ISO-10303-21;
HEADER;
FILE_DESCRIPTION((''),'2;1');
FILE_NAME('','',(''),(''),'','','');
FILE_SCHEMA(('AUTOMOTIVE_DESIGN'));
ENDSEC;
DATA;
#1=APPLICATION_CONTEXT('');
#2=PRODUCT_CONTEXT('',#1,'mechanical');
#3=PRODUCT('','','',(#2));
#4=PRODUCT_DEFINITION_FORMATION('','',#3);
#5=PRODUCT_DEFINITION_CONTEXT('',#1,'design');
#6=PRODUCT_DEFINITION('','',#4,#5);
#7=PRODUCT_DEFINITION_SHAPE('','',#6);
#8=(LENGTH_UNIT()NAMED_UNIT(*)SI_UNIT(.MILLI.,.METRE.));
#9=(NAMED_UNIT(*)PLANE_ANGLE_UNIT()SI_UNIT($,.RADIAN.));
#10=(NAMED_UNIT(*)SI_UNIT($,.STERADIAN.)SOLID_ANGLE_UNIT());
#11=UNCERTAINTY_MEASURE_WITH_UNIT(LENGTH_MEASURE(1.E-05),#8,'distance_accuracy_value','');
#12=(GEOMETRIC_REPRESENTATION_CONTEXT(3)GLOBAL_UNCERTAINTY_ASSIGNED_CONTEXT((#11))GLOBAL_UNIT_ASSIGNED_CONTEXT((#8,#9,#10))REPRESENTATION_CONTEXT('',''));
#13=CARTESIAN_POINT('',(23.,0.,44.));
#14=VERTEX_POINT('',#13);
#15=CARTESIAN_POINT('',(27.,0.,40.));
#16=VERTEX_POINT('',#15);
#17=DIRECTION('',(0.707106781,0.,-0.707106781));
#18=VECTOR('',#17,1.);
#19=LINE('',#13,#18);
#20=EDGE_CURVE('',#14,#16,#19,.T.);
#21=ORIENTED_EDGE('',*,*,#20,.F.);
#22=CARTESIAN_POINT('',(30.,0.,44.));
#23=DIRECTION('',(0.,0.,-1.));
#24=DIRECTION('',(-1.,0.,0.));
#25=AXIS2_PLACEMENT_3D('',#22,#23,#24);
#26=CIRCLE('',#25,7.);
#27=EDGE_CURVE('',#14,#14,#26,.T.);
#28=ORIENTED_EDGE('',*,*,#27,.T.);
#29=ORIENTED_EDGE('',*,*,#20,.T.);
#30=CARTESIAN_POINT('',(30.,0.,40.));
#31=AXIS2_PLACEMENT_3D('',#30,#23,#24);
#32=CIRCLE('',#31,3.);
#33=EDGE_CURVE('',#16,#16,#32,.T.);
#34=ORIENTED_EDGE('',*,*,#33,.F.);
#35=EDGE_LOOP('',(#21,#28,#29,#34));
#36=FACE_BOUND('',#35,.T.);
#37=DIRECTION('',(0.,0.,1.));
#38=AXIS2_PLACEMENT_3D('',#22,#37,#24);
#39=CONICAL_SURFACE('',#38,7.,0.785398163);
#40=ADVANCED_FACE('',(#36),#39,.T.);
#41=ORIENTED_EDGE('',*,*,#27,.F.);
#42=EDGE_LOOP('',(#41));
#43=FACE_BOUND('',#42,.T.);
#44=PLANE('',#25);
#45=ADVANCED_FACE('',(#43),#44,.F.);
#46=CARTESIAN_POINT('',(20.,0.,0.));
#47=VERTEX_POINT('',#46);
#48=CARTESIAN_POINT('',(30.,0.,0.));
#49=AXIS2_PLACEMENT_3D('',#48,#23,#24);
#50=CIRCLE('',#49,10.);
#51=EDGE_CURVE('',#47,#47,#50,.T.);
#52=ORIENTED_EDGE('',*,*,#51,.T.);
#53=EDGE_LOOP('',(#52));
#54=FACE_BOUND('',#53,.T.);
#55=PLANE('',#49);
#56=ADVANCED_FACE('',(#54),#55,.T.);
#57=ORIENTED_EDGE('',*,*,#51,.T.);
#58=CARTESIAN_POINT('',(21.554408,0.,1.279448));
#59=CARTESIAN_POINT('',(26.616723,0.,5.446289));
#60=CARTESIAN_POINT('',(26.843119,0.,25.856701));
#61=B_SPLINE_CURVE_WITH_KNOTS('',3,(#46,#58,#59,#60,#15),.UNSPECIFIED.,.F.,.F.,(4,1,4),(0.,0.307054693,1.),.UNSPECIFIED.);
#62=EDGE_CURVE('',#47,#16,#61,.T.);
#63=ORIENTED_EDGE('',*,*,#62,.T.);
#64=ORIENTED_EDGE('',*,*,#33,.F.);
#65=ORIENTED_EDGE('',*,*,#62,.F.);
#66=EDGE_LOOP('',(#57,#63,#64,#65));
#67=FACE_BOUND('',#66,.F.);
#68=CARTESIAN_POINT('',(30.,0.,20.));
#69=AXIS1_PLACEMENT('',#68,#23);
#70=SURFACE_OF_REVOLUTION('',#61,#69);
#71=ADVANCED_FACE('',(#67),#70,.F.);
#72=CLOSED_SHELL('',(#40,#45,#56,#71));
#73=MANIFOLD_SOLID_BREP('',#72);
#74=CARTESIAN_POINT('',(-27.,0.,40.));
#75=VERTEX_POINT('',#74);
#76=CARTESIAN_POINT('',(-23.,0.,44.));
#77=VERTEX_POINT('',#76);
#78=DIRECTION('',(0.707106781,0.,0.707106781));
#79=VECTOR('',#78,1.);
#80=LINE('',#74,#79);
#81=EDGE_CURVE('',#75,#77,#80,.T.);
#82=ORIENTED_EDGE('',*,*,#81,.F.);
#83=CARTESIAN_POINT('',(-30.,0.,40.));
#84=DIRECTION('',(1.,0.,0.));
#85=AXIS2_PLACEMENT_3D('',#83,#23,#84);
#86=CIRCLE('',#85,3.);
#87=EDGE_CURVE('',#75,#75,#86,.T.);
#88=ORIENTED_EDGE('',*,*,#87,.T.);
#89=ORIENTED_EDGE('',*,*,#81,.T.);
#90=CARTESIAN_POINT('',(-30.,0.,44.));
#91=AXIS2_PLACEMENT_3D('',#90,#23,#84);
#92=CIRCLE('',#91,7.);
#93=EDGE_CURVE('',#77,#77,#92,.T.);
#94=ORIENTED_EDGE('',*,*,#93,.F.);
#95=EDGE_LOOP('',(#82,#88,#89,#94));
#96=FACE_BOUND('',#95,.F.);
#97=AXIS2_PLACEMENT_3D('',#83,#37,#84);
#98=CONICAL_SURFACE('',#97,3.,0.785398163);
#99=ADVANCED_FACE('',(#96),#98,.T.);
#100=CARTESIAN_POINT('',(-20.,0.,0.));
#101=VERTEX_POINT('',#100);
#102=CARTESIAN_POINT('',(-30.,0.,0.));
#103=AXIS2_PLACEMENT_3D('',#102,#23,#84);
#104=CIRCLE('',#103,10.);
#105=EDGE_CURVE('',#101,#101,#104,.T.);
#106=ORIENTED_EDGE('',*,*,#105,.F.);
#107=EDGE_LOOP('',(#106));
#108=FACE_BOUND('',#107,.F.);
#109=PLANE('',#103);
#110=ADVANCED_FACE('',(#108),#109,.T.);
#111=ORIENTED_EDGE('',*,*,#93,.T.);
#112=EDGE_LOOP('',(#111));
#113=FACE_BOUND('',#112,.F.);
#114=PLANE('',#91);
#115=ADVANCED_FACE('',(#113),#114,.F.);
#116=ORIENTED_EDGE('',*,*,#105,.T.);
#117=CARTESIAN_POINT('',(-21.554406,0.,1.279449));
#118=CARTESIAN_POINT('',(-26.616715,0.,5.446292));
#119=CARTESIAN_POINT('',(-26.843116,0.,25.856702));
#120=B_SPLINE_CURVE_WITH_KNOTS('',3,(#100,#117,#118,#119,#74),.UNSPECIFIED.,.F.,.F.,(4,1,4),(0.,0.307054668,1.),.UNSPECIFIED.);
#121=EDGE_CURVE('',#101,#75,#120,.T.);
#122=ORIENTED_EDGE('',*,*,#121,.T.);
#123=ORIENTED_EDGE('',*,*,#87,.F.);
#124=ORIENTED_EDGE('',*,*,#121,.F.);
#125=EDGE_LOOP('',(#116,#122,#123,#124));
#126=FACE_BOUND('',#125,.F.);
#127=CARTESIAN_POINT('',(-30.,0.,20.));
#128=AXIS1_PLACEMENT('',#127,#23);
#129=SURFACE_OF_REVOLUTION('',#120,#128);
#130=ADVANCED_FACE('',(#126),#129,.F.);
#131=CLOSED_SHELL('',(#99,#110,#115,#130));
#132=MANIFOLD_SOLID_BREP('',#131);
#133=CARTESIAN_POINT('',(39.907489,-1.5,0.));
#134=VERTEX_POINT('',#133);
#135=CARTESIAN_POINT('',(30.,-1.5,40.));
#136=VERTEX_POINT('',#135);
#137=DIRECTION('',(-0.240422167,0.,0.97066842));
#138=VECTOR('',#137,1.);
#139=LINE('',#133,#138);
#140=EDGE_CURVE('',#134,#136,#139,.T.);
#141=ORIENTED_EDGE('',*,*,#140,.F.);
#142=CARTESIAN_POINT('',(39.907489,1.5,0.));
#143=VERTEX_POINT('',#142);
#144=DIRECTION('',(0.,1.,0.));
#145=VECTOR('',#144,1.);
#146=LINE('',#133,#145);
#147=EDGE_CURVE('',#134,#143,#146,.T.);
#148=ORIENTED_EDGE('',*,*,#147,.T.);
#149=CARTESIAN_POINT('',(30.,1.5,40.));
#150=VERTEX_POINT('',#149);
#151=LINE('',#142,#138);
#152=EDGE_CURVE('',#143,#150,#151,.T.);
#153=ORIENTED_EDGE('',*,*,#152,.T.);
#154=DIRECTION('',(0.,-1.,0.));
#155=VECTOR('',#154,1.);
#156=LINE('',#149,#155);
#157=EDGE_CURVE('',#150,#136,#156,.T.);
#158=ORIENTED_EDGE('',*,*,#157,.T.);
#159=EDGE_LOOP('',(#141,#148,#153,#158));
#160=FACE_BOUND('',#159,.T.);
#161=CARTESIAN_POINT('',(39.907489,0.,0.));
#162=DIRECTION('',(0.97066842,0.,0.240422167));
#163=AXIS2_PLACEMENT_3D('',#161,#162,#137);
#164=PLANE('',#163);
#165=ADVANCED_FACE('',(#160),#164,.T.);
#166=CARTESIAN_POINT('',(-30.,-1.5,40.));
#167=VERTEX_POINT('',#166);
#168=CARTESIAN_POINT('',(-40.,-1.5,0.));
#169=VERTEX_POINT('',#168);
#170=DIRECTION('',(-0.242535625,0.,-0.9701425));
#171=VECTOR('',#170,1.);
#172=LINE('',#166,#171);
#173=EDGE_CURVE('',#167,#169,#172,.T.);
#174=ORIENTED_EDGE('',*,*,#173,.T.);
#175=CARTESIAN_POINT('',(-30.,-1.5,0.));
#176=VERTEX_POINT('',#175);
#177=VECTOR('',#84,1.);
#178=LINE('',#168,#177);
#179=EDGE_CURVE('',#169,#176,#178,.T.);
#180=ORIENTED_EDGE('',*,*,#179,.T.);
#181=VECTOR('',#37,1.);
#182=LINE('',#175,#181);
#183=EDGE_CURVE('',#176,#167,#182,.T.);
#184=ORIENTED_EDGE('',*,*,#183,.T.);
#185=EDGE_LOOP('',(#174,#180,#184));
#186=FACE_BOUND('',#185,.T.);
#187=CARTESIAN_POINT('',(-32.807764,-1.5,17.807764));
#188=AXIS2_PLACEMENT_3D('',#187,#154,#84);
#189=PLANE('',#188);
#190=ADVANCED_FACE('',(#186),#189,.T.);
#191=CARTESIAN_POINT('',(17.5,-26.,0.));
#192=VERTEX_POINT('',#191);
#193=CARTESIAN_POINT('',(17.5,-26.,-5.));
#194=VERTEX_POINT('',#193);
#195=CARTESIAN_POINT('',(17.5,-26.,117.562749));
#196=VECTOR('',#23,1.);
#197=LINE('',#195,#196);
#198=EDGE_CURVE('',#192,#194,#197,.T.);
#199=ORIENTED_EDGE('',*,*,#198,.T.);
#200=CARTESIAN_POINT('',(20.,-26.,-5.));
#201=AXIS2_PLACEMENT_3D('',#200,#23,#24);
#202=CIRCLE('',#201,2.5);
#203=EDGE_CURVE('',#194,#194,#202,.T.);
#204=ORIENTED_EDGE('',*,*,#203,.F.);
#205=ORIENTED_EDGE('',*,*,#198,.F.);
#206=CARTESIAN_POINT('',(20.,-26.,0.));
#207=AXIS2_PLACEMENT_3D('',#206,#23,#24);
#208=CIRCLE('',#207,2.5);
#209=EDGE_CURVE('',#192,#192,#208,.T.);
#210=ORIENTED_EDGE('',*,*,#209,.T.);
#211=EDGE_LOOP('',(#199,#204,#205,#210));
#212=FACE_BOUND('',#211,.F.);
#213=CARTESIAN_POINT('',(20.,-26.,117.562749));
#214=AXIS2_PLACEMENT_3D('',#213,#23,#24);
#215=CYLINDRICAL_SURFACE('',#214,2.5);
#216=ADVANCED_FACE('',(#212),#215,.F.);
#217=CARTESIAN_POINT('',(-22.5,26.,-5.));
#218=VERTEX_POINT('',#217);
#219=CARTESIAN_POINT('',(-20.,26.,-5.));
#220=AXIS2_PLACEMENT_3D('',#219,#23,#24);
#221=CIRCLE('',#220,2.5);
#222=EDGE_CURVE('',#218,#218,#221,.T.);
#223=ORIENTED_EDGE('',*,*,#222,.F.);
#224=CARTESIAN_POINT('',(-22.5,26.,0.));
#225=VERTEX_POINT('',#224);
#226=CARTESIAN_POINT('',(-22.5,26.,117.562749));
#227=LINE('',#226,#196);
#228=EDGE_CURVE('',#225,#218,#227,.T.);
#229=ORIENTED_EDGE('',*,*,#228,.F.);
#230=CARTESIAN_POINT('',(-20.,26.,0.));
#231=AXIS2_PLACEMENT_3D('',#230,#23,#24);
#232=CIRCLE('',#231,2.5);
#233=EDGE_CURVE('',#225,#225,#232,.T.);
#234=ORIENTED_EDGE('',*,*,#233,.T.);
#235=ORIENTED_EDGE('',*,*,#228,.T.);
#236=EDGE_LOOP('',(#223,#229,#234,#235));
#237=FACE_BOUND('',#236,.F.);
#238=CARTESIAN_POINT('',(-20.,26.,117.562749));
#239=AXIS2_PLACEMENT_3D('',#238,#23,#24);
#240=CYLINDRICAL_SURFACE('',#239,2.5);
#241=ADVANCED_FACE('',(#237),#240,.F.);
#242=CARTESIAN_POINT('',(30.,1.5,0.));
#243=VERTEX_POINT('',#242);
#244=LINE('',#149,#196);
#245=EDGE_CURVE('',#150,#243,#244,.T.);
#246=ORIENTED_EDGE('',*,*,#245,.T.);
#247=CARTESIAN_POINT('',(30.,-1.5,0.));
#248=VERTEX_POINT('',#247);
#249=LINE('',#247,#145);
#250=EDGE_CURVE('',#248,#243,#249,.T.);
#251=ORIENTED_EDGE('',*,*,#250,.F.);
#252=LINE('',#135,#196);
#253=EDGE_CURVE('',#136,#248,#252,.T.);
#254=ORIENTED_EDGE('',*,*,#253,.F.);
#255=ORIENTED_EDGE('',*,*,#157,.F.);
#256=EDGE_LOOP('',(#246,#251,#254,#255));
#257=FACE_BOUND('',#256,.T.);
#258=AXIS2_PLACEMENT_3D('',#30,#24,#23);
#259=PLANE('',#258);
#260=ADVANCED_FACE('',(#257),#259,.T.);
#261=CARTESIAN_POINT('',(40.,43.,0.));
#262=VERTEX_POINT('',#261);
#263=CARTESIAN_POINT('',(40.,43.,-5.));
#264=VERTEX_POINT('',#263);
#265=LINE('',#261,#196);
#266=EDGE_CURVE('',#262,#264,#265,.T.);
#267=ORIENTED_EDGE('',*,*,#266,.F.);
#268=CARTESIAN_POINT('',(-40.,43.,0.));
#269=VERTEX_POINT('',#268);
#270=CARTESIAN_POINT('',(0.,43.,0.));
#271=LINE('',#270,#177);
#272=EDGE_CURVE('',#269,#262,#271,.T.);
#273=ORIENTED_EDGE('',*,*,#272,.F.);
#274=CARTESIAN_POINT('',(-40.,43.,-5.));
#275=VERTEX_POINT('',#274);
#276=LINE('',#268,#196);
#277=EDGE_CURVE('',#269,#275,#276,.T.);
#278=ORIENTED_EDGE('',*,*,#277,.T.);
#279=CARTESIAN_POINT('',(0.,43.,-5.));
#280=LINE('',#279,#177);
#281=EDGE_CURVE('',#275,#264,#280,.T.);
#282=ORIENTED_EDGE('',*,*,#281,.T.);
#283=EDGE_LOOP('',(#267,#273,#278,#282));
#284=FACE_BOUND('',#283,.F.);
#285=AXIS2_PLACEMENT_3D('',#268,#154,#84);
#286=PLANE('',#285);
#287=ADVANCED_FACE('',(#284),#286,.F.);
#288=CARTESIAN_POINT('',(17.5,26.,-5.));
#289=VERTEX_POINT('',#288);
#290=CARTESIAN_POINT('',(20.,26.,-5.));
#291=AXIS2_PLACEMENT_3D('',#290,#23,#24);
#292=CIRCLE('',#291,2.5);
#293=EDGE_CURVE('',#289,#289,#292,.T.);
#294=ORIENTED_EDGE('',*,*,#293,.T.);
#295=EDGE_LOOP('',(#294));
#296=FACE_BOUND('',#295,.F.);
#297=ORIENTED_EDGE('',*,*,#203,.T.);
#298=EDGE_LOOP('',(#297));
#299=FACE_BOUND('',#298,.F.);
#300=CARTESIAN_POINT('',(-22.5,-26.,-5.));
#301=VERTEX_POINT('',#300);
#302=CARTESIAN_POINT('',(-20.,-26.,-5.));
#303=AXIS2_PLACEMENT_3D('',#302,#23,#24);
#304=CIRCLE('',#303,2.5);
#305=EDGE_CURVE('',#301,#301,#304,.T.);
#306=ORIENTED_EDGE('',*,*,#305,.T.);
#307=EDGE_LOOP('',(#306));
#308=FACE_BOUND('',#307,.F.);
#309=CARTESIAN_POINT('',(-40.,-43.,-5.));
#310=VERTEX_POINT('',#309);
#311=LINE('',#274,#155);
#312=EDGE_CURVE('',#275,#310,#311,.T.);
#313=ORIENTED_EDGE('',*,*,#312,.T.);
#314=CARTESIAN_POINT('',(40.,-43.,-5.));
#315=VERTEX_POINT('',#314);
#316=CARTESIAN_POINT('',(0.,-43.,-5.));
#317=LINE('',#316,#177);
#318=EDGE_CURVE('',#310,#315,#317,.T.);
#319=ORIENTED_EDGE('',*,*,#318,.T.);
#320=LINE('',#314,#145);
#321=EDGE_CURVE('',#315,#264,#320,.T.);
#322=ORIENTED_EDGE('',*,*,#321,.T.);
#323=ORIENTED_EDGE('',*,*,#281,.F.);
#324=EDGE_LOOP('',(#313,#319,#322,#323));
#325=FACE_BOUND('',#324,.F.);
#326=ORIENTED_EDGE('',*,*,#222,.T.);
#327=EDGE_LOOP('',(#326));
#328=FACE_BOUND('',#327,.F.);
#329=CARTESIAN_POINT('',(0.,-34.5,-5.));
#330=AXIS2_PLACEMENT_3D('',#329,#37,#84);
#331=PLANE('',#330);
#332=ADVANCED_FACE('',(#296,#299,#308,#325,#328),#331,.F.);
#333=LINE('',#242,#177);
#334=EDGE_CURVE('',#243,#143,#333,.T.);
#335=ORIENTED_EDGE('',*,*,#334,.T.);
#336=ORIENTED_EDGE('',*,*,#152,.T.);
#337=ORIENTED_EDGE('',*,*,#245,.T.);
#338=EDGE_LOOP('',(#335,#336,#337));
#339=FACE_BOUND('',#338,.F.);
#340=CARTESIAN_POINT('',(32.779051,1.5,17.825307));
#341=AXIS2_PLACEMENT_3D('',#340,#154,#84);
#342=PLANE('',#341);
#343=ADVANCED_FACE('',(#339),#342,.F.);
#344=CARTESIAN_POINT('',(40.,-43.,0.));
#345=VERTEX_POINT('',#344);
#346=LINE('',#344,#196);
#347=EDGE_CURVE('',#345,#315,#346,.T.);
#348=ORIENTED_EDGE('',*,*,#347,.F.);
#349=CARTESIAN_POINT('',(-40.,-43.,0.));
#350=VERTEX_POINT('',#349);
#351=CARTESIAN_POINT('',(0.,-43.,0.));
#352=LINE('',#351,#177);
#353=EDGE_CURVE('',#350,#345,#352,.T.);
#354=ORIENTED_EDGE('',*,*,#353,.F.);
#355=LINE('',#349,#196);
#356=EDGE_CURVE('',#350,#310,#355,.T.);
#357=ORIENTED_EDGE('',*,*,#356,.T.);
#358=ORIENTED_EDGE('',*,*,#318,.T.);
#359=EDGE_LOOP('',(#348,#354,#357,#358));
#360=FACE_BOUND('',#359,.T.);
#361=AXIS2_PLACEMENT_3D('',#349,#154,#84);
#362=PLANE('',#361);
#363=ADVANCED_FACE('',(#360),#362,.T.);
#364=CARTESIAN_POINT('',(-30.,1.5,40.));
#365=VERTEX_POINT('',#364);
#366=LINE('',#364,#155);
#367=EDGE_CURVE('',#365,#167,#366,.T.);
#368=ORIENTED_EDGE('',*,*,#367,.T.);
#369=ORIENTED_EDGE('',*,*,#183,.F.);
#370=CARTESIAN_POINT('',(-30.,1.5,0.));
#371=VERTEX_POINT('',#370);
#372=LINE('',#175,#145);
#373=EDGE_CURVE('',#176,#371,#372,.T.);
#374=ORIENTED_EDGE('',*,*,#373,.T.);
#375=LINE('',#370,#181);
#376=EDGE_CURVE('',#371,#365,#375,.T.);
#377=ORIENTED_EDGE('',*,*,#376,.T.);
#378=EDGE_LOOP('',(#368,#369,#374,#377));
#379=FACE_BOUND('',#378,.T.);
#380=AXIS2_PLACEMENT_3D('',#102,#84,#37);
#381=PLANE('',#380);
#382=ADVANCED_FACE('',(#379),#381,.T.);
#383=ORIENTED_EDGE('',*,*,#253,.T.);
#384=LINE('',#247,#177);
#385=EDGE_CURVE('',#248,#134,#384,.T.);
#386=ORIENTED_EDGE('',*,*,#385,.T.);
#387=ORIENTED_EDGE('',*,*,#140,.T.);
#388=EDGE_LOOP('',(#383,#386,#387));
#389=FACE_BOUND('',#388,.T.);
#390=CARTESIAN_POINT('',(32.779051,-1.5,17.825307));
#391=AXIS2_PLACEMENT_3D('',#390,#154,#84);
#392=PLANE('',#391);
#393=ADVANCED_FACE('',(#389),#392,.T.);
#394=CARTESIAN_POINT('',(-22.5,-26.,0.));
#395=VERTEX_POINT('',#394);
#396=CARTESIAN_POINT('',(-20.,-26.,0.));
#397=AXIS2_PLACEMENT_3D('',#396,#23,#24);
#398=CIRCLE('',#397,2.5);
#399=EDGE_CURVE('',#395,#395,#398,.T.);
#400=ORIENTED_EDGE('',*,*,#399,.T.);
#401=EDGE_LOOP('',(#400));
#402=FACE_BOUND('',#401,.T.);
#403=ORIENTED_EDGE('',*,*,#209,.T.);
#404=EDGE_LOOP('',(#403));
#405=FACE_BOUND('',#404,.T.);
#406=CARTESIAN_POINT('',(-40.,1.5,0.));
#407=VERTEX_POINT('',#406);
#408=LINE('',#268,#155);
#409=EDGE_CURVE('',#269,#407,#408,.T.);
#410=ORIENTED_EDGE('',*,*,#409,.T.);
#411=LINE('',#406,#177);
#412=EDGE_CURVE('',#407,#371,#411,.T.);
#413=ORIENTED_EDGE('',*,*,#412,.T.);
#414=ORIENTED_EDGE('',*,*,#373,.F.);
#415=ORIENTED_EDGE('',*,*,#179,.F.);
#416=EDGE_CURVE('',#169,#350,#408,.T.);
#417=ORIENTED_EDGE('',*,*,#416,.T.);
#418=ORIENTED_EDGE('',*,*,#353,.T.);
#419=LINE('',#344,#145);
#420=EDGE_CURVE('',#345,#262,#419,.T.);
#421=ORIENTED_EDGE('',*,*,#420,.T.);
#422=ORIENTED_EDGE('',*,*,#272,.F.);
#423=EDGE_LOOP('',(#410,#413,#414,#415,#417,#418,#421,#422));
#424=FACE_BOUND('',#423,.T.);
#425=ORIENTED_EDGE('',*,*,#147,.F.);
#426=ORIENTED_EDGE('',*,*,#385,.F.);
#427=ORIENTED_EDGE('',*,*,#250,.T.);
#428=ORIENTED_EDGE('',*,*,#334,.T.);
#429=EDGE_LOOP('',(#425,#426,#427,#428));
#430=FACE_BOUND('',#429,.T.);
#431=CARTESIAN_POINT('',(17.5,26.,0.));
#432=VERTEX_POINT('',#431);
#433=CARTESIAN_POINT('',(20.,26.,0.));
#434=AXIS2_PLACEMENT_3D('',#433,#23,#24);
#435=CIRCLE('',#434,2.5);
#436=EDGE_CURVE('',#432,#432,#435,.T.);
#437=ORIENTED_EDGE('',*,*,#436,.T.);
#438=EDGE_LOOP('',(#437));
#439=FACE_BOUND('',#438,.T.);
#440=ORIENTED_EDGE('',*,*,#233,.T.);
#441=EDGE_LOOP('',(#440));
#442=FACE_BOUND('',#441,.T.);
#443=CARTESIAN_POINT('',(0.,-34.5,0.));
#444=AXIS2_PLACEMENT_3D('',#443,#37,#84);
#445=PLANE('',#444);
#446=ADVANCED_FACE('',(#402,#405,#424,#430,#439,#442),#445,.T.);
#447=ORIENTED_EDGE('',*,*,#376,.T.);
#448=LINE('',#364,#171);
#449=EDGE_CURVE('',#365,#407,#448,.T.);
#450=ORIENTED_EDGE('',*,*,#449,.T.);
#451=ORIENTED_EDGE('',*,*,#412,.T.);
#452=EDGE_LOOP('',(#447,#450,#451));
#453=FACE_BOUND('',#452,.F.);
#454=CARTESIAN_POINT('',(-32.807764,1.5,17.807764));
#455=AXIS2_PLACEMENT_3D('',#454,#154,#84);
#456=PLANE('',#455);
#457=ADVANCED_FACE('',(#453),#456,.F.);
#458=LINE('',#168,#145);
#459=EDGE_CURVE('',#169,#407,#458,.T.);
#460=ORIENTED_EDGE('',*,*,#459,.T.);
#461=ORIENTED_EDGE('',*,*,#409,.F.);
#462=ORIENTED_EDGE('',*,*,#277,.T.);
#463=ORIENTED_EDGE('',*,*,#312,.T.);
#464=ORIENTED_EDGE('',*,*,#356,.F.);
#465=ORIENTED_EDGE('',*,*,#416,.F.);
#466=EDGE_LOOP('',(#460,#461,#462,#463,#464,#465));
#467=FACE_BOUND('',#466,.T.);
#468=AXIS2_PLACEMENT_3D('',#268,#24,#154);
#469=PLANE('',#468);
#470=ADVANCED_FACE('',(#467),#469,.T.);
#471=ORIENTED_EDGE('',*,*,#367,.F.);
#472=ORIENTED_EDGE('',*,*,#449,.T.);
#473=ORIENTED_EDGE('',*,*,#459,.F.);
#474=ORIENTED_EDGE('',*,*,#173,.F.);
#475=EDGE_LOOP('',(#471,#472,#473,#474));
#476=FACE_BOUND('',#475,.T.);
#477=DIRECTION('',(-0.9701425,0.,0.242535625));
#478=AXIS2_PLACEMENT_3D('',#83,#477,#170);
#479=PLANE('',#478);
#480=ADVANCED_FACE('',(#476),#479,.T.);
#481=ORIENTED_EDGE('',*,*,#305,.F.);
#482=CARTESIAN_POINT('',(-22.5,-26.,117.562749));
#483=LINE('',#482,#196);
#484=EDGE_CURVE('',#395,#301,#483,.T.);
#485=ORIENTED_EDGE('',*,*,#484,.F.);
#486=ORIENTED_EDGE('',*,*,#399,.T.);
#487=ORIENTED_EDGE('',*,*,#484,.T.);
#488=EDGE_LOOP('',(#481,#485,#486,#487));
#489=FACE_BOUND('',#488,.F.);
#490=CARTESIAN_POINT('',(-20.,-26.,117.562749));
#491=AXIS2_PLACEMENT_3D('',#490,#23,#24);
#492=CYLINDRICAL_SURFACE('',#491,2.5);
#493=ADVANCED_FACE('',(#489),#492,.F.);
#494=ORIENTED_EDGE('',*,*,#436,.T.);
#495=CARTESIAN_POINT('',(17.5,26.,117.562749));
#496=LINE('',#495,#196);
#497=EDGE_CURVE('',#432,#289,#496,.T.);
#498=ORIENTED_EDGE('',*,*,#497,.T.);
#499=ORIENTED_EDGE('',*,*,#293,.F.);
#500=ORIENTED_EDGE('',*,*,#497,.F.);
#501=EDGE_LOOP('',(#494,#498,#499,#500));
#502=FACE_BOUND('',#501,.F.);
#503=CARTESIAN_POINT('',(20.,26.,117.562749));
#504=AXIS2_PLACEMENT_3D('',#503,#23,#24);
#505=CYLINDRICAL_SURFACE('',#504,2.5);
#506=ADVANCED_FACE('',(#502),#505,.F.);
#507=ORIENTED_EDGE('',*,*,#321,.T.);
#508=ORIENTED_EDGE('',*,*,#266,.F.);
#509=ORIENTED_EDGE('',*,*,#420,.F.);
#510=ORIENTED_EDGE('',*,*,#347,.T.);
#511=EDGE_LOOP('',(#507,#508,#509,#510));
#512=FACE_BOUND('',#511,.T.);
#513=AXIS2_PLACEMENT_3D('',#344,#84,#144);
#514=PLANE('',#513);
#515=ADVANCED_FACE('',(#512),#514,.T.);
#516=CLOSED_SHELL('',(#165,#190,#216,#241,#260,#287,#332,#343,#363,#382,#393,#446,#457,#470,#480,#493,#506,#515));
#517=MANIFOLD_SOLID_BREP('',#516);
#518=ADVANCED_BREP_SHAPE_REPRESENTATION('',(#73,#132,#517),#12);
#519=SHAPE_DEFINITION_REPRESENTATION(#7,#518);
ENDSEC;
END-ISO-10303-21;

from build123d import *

# Parameters (mm, degrees)
F0_W     = 80
F0_H     = 17
F0_H_2   = 52
F5_DEPTH = 5
F6_D     = 5
F7_DEPTH = 1.5
F8_DEPTH = 1.5


with BuildPart() as f3:
    # F1 (on Front) → F3 (revolve)
    with BuildSketch(Plane.XZ):
        with BuildLine():
            add(Edge.make_bspline(
                [(-20, 0), (-21.5544057374, 1.2794487258), (-26.61671515, 5.4462921511), (-26.8431163473, 25.8567018682), (-27, 40)],
                knots=[0, 0, 0, 0, 0.3070546683, 1, 1, 1, 1], degree=3))
            Line((-27, 40), (-30, 40))
            Line((-30, 40), (-30, 0))
            Line((-30, 0), (-20, 0))
        make_face()
        Polygon((-30, 40), (-27, 40), (-23, 44), (-30, 44), align=None)
    revolve(axis=Axis((-30, 0, 20), (0, 0, -1)))


with BuildPart() as f4:
    # F1 (on Front) → F4 (revolve)
    with BuildSketch(Plane.XZ):
        with BuildLine():
            Line((30, 0), (30, 40))
            Line((30, 40), (27, 40))
            add(Edge.make_bspline(
                [(20, 0), (21.5544076314, 1.2794480444), (26.6167227969, 5.4462889088), (26.8431194806, 25.8567008448), (27, 40)],
                knots=[0, 0, 0, 0, 0.3070546935, 1, 1, 1, 1], degree=3))
            Line((20, 0), (30, 0))
        make_face()
        Polygon((27, 40), (30, 40), (30, 44), (23, 44), align=None)
    revolve(axis=Axis((30, 0, 20), (0, 0, -1)))


with BuildPart() as f5:
    # F0 (on Top) → F5 (new body)
    with BuildSketch(Plane.XY):
        with Locations((0, -34.5)):
            Rectangle(F0_W, F0_H)
        Rectangle(F0_W, F0_H_2)
        with Locations((0, 34.5)):
            Rectangle(F0_W, F0_H)
    extrude(amount=-F5_DEPTH)

    # F6 (through all)
    with Locations(Plane.XY):
        with Locations((-20, -26), (-20, 26), (20, 26), (20, -26)):
            Hole(F6_D / 2)

    # F1 (on Front) → F7 (join, symmetric)
    with BuildSketch(Plane.XZ):
        Polygon((-30, 0), (-30, 40), (-40, 0), align=None)
    extrude(amount=F7_DEPTH, both=True)

    # F1 (on Front) → F8 (join, symmetric)
    with BuildSketch(Plane.XZ):
        Polygon((39.9074889719, 0), (30, 40), (30, 0), align=None)
    extrude(amount=F8_DEPTH, both=True)


solid = Compound([f3.part, f4.part, f5.part])
